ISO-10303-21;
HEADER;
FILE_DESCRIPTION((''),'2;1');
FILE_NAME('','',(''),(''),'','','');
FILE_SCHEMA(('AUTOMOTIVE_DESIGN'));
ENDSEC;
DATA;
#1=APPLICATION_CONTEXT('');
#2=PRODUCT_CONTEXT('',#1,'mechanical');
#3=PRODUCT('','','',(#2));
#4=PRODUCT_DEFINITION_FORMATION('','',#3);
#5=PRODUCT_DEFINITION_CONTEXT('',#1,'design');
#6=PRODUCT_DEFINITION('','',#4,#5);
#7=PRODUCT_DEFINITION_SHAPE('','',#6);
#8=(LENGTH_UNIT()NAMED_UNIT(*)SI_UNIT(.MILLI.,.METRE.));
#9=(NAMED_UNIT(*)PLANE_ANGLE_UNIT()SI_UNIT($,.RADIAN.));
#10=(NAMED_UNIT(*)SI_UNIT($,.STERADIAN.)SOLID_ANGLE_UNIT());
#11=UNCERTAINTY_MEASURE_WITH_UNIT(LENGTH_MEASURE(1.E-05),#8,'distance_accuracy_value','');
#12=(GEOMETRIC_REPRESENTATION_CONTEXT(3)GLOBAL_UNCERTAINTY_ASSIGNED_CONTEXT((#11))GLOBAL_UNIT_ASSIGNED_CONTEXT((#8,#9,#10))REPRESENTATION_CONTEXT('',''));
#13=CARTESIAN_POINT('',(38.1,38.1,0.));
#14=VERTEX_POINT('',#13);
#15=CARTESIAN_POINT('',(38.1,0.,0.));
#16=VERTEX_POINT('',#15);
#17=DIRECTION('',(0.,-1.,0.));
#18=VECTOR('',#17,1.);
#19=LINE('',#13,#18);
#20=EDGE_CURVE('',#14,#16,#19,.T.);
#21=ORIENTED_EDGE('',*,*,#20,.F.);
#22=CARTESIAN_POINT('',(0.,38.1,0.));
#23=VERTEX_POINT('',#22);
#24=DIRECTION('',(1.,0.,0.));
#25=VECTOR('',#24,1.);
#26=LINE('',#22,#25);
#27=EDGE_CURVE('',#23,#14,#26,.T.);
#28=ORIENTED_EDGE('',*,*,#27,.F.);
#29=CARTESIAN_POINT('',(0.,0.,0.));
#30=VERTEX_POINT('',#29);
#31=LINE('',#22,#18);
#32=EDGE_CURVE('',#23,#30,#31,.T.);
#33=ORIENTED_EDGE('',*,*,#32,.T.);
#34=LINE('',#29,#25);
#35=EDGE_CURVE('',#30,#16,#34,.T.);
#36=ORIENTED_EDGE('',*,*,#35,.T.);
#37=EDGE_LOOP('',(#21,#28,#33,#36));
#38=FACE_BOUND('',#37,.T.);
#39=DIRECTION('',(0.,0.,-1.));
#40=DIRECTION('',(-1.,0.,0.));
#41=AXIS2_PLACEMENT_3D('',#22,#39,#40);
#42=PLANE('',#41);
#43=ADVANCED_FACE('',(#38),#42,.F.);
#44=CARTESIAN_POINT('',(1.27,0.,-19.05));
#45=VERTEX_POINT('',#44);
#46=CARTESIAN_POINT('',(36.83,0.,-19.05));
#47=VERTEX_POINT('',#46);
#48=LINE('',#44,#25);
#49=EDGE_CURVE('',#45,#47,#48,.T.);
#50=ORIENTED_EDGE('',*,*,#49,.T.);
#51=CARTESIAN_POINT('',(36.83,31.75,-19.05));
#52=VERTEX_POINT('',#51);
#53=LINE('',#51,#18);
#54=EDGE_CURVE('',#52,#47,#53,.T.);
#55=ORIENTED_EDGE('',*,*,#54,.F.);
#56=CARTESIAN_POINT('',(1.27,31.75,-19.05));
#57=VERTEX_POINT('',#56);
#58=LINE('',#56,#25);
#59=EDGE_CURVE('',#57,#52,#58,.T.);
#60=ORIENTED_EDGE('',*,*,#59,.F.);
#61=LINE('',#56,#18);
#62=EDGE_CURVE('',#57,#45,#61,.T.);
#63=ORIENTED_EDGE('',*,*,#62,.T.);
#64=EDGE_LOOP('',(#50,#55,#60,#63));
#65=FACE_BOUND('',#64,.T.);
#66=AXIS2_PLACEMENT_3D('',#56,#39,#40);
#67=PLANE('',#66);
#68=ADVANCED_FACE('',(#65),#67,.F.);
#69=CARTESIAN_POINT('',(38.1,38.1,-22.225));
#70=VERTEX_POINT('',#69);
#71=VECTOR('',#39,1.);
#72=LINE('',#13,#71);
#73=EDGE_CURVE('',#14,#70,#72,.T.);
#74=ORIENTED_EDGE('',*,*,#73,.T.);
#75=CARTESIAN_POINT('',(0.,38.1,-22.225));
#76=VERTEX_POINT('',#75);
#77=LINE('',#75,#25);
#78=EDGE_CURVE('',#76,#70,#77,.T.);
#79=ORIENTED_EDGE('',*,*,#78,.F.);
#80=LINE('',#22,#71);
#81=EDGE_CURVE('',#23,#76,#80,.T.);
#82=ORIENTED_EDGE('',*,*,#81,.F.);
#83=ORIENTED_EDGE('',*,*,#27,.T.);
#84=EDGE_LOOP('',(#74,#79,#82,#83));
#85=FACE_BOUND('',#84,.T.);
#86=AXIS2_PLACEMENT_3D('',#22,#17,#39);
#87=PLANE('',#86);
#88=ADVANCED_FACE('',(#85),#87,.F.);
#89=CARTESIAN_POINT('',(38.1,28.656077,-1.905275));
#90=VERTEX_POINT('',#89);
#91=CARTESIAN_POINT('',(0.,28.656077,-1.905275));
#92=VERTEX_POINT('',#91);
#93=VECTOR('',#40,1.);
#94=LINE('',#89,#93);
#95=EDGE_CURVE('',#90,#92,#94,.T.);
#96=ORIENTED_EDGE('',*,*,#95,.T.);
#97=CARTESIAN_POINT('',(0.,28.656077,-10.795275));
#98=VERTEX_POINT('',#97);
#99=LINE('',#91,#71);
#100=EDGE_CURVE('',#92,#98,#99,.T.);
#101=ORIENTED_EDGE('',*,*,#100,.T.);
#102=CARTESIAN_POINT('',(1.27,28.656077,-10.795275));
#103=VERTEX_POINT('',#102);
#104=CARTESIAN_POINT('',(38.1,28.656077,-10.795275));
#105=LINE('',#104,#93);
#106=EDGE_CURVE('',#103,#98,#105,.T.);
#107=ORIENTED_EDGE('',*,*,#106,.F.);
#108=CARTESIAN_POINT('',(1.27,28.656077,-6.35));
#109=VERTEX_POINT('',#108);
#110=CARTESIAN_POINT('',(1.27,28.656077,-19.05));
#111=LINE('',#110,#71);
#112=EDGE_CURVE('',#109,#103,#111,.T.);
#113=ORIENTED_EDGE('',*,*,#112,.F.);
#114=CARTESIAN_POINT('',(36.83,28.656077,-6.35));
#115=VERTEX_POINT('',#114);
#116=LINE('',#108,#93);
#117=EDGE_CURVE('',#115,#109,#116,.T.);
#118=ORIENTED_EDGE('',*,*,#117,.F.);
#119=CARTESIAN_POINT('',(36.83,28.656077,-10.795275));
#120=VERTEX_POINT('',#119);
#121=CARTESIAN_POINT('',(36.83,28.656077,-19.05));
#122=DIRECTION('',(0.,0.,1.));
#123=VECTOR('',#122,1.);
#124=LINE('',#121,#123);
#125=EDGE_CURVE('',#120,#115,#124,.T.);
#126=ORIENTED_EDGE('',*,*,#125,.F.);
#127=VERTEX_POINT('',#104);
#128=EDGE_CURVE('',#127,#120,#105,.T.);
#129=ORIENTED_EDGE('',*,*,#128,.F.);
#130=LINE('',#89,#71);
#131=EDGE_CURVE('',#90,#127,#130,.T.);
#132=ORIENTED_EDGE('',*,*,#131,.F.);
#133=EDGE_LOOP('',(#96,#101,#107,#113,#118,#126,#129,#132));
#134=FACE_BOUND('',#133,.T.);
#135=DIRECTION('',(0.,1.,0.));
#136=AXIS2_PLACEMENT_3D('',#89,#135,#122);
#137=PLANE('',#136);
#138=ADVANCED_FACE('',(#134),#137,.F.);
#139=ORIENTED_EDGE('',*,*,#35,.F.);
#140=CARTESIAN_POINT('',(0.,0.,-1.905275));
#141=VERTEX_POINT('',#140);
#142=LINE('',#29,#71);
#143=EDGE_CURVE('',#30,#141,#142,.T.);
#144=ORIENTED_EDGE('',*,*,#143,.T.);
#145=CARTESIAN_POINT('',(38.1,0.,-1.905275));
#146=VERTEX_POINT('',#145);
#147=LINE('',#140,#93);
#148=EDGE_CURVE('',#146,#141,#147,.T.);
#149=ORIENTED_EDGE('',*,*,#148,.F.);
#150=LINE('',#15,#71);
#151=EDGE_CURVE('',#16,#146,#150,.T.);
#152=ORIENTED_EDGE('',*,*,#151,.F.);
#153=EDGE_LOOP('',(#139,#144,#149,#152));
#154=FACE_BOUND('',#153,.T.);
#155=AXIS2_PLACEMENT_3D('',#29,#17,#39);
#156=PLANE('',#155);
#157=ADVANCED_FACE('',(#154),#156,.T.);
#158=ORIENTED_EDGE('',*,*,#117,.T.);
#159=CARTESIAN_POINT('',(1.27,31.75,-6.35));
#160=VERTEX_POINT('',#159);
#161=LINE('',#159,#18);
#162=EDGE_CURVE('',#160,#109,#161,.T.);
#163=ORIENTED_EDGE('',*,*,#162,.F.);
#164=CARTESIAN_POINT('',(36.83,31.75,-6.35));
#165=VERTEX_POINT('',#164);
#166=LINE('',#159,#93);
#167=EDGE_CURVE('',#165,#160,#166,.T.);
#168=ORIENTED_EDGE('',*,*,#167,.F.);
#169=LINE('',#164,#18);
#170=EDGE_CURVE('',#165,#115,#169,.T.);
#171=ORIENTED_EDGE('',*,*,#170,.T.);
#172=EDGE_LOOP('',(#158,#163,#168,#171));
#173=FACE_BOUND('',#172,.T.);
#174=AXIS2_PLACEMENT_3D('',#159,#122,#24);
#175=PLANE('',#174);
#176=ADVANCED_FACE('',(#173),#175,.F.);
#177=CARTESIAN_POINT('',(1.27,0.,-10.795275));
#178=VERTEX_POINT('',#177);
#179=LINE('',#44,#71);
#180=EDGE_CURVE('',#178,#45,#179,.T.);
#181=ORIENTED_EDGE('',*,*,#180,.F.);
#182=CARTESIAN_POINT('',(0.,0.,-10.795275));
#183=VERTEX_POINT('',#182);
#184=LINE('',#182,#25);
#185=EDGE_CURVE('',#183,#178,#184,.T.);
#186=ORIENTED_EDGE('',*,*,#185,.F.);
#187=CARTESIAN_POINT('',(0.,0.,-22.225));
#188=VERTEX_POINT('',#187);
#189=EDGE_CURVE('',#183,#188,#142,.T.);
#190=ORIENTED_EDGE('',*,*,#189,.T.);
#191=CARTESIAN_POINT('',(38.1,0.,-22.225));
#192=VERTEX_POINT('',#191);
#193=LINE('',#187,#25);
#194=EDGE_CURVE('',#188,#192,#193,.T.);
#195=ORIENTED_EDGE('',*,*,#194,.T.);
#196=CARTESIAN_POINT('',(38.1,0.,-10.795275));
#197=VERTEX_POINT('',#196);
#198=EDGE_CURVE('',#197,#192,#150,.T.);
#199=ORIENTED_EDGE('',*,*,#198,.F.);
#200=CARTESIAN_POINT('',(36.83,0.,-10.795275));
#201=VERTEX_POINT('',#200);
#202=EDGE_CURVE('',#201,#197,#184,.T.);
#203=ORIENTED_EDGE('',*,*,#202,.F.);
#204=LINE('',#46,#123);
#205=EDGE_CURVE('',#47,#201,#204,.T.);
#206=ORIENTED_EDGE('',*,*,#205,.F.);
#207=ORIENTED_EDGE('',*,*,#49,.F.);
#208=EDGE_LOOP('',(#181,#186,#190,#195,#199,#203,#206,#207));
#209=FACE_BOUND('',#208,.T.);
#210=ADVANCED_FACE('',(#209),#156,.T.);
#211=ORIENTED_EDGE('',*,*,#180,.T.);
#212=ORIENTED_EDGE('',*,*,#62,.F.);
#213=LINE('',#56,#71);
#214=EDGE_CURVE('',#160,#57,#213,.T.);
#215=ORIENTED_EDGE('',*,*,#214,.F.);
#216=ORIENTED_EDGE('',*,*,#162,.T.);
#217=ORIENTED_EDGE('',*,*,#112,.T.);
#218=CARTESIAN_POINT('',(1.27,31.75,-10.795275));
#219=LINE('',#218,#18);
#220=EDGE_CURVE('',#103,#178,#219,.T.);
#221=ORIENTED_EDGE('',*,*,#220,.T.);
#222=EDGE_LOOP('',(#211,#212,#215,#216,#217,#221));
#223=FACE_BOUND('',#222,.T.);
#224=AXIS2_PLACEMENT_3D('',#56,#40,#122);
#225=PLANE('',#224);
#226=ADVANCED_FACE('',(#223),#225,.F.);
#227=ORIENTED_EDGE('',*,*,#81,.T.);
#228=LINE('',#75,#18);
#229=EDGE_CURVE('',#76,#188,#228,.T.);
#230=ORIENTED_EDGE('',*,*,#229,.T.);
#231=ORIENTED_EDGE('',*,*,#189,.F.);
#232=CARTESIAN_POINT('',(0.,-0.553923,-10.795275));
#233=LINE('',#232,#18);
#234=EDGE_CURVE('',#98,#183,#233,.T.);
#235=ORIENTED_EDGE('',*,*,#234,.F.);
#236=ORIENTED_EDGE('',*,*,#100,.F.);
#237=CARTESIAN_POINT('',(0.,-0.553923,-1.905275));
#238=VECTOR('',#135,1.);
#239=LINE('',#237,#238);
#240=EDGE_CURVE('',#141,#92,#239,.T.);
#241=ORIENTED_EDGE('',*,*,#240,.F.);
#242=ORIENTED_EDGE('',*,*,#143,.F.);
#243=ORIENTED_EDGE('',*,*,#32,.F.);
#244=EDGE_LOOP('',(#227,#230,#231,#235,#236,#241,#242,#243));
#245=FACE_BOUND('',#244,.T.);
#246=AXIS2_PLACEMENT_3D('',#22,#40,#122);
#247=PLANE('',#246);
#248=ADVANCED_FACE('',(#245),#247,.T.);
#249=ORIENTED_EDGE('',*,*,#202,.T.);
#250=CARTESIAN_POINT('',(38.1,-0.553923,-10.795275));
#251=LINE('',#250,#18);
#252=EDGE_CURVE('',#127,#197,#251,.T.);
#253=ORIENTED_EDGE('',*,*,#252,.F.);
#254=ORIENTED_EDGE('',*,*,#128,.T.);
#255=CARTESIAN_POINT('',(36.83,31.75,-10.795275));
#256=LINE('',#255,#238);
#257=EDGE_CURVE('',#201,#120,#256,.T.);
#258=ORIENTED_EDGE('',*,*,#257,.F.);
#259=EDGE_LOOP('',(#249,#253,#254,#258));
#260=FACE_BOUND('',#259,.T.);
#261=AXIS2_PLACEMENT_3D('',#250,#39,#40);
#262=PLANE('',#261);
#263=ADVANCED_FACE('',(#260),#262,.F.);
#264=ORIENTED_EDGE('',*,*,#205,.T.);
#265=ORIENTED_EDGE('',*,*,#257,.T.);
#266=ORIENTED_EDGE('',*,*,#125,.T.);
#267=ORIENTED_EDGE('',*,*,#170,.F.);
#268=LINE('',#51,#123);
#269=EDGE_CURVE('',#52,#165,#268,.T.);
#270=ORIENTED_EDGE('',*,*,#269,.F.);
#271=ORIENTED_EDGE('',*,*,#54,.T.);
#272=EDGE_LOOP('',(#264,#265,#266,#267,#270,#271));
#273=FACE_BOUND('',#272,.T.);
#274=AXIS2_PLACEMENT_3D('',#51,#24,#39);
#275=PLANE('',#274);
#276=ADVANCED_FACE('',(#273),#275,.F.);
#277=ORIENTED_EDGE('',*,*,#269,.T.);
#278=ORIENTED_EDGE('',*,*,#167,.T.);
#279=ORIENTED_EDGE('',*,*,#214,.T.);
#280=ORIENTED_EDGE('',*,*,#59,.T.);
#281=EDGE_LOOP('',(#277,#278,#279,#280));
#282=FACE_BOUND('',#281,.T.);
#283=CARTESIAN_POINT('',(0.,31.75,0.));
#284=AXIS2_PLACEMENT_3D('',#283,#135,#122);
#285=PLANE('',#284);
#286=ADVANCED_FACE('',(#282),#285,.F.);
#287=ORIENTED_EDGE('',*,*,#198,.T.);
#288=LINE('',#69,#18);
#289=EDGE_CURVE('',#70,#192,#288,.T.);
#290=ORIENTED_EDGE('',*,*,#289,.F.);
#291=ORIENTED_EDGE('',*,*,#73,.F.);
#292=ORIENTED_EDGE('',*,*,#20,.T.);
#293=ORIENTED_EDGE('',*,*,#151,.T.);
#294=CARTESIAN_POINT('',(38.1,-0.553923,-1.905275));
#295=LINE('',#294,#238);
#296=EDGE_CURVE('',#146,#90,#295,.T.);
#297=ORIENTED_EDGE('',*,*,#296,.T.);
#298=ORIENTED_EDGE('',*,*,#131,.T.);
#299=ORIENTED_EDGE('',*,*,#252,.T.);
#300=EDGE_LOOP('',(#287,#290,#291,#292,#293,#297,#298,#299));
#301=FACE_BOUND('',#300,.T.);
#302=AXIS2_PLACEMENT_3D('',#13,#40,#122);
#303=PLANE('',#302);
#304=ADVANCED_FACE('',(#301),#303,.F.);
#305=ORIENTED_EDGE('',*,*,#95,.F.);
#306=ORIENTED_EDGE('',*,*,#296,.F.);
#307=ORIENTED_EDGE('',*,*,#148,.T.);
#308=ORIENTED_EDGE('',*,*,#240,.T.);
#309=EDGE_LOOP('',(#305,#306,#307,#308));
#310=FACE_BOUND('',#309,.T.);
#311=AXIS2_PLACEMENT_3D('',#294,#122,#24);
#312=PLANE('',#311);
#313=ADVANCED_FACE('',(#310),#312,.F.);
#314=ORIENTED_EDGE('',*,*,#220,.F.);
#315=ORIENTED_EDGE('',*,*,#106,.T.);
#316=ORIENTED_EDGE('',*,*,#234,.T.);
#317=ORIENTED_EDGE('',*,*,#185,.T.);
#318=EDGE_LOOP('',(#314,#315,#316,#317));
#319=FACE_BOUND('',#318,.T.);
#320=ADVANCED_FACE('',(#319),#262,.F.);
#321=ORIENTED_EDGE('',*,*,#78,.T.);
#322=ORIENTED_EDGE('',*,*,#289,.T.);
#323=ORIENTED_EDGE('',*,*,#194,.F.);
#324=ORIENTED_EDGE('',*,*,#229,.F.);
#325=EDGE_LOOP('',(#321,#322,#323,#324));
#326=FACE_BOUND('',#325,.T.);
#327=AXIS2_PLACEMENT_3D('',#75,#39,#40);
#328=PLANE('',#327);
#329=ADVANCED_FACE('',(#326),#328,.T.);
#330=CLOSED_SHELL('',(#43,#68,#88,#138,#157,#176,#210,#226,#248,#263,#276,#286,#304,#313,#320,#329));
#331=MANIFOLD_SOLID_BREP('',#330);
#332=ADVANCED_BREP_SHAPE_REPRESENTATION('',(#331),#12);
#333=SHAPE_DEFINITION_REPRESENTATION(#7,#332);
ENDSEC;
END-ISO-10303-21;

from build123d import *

# Parameters (mm, degrees)
SKETCH1_W           = 38.1
SKETCH1_H           = 22.225
BOSS_EXTRUDE2_DEPTH = 38.1
SKETCH4_W           = 35.56
SKETCH4_H           = 12.7
CUT_EXTRUDE1_DEPTH  = 31.75
SKETCH5_W           = 8.89
SKETCH5_H           = 29.21
CUT_EXTRUDE3_DEPTH  = 59.285252208


with BuildPart() as part:
    # Sketch1 → Boss-Extrude2 (new body)
    with BuildSketch(Plane(origin=(0, 0, 0), x_dir=(1, 0, 0), z_dir=(0, 1, 0))):
        with Locations((19.05, 11.1125)):
            Rectangle(SKETCH1_W, SKETCH1_H)
    extrude(amount=BOSS_EXTRUDE2_DEPTH)

    # Sketch4 → Cut-Extrude1 (cut)
    with BuildSketch(Plane.XZ):
        with Locations((19.05, -12.7)):
            Rectangle(SKETCH4_W, SKETCH4_H)
    extrude(amount=-CUT_EXTRUDE1_DEPTH, mode=Mode.SUBTRACT)

    # Sketch5 → Cut-Extrude3 (cut, through all)
    with BuildSketch(Plane.ZY):
        with Locations((-6.350275286, 14.051077043)):
            Rectangle(SKETCH5_W, SKETCH5_H)
    extrude(amount=-CUT_EXTRUDE3_DEPTH, mode=Mode.SUBTRACT)


solid = part.part
